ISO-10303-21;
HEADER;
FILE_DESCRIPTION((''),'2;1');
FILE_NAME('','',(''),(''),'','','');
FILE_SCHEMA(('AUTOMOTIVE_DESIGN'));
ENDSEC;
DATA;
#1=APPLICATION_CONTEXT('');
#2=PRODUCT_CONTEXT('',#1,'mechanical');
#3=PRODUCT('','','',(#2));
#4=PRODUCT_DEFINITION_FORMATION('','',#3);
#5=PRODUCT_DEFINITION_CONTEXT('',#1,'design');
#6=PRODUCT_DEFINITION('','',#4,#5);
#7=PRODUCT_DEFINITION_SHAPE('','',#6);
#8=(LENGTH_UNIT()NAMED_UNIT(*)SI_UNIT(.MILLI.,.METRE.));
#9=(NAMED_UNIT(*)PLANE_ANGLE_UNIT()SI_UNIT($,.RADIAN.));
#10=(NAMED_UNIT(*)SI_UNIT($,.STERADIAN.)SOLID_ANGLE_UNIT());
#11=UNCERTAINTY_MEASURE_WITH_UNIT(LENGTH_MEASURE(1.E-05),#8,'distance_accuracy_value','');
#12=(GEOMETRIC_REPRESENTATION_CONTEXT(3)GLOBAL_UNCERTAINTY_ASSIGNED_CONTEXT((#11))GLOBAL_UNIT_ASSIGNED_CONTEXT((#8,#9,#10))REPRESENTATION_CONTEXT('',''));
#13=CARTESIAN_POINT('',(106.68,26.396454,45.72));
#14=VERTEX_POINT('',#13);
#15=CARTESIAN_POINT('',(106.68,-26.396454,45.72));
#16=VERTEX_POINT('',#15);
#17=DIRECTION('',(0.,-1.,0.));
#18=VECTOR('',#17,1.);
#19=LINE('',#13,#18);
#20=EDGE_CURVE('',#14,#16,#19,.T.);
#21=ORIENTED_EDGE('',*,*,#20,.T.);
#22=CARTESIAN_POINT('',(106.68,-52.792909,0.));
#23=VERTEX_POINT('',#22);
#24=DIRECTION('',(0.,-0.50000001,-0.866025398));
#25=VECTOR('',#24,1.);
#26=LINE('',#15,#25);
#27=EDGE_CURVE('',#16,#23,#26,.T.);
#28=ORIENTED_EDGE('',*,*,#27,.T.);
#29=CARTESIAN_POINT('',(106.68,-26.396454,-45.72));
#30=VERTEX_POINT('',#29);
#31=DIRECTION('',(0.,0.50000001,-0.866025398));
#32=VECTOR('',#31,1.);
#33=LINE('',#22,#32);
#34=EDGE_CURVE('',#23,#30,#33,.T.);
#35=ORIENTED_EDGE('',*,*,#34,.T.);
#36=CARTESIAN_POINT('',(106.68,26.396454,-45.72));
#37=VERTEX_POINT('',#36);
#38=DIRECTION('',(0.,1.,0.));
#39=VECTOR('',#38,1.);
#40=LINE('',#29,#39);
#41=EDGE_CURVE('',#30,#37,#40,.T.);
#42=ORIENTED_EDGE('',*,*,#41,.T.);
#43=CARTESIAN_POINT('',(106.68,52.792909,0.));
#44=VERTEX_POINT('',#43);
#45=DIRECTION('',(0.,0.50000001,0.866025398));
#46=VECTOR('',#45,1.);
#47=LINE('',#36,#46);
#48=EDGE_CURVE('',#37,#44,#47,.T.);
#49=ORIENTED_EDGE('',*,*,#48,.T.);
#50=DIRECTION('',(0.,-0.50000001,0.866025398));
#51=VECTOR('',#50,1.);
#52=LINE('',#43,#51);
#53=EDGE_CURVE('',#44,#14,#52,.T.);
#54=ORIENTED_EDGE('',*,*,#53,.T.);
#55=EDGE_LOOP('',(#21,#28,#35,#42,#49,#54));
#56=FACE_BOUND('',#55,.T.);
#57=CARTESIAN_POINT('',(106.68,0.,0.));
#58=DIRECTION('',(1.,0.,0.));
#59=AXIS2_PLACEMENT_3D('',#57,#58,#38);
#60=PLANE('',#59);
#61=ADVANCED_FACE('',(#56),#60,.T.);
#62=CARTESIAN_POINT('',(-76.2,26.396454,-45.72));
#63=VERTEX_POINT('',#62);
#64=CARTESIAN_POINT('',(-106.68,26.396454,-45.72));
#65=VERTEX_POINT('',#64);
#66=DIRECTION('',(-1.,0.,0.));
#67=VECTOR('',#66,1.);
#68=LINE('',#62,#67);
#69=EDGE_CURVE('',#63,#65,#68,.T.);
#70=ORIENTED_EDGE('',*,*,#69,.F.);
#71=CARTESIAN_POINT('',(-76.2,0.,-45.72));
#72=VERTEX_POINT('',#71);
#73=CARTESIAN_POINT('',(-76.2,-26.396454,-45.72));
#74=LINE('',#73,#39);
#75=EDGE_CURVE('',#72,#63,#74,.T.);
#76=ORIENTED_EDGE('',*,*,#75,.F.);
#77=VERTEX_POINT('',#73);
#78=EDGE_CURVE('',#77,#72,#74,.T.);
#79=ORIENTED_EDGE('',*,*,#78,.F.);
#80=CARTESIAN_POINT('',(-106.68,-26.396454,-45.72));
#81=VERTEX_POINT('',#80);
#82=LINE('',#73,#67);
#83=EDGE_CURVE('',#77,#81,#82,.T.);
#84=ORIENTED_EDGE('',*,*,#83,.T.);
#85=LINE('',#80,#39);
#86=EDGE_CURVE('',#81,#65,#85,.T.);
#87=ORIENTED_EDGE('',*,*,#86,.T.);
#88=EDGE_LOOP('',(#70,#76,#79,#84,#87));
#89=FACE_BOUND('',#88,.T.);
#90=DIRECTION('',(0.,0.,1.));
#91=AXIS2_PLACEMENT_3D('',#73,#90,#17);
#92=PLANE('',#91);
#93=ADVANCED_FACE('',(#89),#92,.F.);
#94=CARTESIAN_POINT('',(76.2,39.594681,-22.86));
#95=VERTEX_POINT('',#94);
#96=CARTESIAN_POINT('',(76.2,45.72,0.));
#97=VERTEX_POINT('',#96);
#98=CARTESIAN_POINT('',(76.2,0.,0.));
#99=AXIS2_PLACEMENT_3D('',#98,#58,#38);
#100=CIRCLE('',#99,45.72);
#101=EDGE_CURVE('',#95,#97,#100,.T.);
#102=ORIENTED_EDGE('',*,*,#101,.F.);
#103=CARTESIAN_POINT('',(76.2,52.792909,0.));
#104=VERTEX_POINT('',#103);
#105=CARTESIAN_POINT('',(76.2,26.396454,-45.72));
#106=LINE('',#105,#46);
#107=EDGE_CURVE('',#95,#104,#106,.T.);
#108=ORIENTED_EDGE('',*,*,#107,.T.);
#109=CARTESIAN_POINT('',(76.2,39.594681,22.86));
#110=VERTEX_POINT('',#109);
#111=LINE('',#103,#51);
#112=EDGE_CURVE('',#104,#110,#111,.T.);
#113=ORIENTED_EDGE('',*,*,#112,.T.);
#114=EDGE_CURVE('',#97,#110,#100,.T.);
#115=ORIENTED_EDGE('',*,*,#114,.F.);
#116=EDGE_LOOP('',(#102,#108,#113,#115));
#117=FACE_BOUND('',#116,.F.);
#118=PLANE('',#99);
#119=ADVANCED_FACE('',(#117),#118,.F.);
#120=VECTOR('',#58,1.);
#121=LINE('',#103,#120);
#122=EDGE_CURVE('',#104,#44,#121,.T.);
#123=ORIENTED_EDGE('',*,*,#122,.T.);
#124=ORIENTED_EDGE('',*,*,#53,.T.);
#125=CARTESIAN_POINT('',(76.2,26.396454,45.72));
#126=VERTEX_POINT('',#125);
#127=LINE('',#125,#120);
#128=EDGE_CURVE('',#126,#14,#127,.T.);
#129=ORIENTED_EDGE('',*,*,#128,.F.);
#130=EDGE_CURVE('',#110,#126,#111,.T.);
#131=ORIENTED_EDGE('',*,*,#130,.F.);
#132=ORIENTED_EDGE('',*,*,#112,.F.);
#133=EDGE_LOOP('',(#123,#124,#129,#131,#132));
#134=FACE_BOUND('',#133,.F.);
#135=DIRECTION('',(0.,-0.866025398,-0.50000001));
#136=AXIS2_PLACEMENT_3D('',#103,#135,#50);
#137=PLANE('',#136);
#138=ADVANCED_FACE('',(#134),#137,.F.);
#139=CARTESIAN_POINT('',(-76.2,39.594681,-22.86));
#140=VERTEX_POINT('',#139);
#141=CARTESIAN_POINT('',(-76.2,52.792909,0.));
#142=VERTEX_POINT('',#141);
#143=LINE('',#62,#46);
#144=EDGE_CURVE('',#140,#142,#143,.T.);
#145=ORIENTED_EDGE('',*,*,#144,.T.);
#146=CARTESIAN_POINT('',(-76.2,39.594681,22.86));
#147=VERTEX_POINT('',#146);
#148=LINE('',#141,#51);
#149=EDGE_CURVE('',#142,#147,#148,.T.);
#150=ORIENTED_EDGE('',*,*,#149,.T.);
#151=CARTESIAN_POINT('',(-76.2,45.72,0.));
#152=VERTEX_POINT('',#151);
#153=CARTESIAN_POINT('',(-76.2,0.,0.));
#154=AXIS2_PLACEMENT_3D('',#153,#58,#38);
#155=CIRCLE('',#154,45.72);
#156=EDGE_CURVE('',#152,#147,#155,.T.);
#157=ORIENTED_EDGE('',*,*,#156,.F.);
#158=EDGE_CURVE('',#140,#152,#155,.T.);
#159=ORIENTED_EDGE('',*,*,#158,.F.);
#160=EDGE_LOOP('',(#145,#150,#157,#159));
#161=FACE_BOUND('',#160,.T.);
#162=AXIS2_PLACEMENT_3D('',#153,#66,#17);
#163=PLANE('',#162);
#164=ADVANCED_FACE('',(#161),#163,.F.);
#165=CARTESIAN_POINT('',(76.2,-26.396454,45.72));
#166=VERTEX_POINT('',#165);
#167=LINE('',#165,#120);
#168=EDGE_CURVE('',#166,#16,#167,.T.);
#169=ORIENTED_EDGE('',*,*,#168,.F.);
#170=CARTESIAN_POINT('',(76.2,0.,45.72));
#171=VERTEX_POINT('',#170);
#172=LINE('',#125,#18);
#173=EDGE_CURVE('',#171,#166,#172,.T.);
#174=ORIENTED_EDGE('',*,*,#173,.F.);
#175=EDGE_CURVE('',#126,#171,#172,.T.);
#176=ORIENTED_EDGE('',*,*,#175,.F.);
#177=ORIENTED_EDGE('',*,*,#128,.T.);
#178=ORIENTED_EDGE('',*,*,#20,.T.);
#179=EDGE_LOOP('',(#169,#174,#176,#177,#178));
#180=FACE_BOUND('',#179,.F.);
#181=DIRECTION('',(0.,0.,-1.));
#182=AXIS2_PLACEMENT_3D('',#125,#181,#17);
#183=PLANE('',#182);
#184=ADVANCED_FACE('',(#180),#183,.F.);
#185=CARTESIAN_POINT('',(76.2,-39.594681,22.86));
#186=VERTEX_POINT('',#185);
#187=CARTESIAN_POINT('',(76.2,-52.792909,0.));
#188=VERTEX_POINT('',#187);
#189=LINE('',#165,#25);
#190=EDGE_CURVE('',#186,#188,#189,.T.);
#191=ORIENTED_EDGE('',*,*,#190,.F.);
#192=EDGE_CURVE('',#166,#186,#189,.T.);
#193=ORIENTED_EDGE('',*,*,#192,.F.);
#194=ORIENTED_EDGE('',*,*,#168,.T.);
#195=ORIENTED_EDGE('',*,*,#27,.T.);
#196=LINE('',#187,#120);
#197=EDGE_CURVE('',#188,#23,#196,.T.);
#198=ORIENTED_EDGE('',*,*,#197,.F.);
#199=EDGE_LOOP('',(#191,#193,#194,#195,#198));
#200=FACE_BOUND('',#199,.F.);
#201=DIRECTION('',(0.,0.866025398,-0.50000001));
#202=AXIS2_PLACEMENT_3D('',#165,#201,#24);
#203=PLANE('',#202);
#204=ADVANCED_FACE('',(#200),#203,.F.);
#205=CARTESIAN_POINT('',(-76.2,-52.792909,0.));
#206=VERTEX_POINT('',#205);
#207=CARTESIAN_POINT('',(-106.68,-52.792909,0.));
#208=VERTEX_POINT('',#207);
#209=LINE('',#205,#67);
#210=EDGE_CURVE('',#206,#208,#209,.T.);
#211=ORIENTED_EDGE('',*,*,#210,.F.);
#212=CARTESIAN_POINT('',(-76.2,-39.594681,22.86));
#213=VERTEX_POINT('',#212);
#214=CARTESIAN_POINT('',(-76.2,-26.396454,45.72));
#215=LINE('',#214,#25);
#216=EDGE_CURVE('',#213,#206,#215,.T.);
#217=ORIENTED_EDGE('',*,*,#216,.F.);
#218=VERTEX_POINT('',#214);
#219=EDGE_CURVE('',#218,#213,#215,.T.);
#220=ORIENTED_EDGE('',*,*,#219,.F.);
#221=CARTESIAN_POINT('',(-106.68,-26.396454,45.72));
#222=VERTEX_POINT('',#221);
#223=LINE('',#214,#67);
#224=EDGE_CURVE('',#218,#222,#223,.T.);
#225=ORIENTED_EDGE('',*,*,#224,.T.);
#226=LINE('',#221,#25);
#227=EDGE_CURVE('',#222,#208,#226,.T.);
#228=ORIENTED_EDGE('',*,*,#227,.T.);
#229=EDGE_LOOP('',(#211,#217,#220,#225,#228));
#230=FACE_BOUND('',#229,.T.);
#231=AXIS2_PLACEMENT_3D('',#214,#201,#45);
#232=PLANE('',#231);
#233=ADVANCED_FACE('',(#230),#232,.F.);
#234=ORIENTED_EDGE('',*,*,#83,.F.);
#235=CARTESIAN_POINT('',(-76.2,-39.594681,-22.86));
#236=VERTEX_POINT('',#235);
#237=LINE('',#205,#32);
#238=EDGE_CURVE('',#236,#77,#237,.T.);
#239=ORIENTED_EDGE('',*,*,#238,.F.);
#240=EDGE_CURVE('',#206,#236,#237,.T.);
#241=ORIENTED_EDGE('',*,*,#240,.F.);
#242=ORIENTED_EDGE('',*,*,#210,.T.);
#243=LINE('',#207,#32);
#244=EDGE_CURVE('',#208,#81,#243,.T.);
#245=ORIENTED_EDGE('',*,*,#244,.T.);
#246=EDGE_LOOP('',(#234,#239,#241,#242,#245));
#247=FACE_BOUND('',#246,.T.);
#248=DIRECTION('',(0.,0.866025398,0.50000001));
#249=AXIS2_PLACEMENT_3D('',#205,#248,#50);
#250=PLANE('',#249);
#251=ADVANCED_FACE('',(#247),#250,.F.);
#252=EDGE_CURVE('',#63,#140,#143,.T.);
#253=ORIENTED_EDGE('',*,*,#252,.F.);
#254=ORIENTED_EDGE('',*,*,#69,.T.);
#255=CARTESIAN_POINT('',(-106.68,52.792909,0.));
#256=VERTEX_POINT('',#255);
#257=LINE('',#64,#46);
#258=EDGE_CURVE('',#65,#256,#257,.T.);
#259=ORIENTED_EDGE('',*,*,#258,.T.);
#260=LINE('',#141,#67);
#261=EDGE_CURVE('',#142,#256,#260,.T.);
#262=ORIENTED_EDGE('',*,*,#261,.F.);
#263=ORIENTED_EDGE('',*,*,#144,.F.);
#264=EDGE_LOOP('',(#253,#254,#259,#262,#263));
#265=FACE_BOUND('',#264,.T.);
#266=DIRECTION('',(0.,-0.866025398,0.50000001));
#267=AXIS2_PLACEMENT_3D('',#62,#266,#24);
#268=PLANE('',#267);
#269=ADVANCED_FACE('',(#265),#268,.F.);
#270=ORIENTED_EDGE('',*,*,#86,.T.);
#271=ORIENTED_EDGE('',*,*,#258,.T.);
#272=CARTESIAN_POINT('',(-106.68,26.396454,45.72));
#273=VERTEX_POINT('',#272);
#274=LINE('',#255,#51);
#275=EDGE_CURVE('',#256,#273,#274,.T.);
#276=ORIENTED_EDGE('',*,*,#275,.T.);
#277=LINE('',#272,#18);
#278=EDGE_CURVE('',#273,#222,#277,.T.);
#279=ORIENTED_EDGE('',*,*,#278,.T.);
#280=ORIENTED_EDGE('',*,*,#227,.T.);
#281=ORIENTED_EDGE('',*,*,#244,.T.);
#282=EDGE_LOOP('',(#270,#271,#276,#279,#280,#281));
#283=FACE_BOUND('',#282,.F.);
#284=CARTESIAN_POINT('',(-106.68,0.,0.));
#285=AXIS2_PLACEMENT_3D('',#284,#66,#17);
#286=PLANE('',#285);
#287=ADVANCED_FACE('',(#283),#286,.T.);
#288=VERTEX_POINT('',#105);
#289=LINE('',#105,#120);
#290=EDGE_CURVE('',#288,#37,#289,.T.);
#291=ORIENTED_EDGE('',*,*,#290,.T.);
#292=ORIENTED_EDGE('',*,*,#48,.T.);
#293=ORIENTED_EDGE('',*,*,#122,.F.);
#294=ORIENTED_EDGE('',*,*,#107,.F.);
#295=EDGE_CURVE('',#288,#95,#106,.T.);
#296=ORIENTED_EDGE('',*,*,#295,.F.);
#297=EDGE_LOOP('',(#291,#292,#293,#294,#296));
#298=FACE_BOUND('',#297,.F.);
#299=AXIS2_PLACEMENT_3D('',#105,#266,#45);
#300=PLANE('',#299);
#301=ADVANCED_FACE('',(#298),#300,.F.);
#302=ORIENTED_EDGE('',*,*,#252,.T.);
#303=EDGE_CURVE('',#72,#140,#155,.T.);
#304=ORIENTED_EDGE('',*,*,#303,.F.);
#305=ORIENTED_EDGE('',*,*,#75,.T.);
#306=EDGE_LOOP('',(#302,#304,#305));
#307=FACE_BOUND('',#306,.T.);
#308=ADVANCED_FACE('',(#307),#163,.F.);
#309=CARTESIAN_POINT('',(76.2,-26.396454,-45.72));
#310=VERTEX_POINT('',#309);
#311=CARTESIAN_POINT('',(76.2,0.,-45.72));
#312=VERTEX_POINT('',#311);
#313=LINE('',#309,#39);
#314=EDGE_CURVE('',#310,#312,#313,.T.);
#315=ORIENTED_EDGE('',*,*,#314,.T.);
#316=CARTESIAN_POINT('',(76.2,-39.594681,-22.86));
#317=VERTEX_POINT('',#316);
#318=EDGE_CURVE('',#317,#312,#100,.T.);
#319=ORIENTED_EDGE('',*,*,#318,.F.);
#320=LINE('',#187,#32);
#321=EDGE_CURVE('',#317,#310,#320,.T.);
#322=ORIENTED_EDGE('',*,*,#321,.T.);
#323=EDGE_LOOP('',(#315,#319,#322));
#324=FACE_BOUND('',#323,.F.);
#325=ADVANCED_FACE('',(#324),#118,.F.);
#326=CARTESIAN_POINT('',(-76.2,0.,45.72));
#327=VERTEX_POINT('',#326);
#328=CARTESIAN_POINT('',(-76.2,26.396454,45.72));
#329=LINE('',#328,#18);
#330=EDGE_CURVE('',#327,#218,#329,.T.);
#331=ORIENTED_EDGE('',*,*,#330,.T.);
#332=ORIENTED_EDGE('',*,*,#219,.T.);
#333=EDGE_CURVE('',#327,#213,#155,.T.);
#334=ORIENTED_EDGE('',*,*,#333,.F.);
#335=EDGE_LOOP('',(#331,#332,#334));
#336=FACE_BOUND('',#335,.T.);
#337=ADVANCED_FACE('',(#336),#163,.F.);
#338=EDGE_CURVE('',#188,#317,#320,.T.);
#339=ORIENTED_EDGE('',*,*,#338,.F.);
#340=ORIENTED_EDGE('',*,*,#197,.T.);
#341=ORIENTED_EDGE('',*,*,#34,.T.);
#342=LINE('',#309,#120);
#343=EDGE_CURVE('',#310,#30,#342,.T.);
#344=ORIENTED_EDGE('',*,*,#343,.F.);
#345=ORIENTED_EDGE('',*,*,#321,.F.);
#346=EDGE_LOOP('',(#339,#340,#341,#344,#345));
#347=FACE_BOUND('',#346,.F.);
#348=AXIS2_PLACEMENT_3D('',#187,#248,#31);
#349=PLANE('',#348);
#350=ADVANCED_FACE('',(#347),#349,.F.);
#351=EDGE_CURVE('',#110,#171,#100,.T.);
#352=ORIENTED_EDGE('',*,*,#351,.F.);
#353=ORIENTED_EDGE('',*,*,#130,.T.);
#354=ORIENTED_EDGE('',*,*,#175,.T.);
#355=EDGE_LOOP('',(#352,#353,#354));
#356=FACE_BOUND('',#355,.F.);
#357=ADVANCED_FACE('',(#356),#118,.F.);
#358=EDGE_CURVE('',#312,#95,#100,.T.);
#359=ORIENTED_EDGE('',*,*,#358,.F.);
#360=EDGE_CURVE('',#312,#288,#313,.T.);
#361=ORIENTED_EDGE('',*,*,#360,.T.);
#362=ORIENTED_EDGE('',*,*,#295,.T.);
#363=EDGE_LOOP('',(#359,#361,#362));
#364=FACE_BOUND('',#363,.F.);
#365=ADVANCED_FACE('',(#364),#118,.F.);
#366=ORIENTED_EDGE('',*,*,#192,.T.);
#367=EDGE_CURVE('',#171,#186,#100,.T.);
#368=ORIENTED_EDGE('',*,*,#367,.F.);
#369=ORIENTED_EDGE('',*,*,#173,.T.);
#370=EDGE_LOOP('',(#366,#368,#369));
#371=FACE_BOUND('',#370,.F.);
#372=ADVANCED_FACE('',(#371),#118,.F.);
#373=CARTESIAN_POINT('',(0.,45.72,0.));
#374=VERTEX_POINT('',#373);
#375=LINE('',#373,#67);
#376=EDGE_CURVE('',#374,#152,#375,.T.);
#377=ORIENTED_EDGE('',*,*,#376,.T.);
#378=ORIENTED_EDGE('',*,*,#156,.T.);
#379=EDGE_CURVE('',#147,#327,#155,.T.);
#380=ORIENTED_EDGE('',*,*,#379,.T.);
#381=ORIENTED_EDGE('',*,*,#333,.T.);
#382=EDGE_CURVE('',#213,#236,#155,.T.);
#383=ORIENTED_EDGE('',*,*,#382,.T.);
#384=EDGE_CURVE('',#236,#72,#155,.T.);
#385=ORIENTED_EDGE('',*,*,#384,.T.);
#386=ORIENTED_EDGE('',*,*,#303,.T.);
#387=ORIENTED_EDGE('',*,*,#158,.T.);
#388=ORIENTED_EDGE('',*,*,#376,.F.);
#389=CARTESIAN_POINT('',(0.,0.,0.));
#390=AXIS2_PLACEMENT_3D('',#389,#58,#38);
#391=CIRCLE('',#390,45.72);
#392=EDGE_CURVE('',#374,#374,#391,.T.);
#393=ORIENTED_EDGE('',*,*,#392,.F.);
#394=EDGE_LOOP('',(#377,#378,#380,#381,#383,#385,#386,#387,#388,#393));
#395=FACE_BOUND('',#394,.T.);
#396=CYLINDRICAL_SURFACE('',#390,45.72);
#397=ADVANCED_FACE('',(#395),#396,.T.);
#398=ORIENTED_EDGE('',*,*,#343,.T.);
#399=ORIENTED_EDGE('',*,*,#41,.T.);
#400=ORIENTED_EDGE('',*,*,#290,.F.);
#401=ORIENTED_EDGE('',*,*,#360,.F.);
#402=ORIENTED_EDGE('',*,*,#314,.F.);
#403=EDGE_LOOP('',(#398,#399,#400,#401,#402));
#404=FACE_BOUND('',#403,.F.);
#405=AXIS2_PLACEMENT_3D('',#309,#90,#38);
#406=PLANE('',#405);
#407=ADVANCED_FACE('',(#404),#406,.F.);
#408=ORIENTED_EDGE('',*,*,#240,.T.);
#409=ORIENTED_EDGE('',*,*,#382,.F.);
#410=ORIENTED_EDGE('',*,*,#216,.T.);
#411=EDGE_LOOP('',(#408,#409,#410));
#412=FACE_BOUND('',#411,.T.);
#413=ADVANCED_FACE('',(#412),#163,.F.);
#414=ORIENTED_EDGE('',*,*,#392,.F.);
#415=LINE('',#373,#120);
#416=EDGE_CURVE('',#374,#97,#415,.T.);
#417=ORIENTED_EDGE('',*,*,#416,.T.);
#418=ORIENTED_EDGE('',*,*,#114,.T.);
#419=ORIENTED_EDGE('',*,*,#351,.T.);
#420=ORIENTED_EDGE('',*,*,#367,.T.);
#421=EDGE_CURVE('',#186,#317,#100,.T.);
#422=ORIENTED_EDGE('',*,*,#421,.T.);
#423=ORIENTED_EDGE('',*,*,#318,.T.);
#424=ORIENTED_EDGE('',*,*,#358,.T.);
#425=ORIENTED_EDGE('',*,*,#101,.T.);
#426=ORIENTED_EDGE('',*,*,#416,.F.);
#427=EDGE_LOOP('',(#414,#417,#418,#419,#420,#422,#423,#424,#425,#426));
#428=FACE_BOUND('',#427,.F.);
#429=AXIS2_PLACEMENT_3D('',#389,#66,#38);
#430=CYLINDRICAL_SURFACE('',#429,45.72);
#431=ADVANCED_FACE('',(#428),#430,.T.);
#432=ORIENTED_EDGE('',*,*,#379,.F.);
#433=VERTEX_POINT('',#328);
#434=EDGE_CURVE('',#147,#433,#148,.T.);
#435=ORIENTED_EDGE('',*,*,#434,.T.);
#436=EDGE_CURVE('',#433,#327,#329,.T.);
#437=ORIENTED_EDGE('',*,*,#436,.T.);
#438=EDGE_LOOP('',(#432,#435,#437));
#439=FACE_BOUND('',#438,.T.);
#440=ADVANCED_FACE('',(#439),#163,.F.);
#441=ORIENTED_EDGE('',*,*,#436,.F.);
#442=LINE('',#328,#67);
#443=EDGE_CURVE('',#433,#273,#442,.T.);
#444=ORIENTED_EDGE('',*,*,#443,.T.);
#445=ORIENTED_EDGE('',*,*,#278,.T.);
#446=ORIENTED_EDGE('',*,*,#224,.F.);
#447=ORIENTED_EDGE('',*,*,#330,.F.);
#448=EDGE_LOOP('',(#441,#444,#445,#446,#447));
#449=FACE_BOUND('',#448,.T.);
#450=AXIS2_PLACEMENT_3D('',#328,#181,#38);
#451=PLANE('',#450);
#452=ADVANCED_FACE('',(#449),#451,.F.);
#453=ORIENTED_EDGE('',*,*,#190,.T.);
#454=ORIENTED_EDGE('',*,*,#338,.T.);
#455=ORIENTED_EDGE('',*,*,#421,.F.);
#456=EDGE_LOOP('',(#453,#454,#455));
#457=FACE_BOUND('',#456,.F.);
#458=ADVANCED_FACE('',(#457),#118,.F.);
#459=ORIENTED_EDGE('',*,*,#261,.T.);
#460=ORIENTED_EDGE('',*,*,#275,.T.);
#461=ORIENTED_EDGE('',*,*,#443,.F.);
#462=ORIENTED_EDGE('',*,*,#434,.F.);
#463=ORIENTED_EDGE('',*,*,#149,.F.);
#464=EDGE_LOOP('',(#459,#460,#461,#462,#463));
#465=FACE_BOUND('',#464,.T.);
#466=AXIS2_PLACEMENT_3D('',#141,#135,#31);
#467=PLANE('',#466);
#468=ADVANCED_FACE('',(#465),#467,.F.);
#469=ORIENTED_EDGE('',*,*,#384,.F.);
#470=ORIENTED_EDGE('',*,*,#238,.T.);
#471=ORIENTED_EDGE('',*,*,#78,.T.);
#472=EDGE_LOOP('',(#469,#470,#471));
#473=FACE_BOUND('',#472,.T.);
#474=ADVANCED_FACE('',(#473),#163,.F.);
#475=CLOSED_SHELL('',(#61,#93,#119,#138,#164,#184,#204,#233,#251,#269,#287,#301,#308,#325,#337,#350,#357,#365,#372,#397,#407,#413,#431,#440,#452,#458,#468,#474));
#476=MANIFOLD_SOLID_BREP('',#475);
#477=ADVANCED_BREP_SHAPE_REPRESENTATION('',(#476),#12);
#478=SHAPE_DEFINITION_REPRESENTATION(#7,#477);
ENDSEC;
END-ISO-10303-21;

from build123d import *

# Parameters (mm, degrees)
F0_R     = 45.72
F1_DEPTH = 76.2
F3_DEPTH = 30.48


with BuildPart() as f1:
    # F0 (on Right) → F1 (new body)
    with BuildSketch(Plane.YZ):
        Circle(F0_R)
    extrude(amount=F1_DEPTH)

    # F2 (on face) → F3 (join)
    with BuildSketch(Plane.YZ.offset(76.2)):
        Polygon((-26.396454, -45.72), (26.396454, -45.72), (52.792909, 0), (26.396454, 45.72), (-26.396454, 45.72), (-52.792909, 0), align=None)
    extrude(amount=F3_DEPTH)

    # F4: F1 across plane


with BuildPart() as f1_1:
    add(f1.part)
    add(f1.part.mirror(Plane.YZ))


solid = f1_1.part
